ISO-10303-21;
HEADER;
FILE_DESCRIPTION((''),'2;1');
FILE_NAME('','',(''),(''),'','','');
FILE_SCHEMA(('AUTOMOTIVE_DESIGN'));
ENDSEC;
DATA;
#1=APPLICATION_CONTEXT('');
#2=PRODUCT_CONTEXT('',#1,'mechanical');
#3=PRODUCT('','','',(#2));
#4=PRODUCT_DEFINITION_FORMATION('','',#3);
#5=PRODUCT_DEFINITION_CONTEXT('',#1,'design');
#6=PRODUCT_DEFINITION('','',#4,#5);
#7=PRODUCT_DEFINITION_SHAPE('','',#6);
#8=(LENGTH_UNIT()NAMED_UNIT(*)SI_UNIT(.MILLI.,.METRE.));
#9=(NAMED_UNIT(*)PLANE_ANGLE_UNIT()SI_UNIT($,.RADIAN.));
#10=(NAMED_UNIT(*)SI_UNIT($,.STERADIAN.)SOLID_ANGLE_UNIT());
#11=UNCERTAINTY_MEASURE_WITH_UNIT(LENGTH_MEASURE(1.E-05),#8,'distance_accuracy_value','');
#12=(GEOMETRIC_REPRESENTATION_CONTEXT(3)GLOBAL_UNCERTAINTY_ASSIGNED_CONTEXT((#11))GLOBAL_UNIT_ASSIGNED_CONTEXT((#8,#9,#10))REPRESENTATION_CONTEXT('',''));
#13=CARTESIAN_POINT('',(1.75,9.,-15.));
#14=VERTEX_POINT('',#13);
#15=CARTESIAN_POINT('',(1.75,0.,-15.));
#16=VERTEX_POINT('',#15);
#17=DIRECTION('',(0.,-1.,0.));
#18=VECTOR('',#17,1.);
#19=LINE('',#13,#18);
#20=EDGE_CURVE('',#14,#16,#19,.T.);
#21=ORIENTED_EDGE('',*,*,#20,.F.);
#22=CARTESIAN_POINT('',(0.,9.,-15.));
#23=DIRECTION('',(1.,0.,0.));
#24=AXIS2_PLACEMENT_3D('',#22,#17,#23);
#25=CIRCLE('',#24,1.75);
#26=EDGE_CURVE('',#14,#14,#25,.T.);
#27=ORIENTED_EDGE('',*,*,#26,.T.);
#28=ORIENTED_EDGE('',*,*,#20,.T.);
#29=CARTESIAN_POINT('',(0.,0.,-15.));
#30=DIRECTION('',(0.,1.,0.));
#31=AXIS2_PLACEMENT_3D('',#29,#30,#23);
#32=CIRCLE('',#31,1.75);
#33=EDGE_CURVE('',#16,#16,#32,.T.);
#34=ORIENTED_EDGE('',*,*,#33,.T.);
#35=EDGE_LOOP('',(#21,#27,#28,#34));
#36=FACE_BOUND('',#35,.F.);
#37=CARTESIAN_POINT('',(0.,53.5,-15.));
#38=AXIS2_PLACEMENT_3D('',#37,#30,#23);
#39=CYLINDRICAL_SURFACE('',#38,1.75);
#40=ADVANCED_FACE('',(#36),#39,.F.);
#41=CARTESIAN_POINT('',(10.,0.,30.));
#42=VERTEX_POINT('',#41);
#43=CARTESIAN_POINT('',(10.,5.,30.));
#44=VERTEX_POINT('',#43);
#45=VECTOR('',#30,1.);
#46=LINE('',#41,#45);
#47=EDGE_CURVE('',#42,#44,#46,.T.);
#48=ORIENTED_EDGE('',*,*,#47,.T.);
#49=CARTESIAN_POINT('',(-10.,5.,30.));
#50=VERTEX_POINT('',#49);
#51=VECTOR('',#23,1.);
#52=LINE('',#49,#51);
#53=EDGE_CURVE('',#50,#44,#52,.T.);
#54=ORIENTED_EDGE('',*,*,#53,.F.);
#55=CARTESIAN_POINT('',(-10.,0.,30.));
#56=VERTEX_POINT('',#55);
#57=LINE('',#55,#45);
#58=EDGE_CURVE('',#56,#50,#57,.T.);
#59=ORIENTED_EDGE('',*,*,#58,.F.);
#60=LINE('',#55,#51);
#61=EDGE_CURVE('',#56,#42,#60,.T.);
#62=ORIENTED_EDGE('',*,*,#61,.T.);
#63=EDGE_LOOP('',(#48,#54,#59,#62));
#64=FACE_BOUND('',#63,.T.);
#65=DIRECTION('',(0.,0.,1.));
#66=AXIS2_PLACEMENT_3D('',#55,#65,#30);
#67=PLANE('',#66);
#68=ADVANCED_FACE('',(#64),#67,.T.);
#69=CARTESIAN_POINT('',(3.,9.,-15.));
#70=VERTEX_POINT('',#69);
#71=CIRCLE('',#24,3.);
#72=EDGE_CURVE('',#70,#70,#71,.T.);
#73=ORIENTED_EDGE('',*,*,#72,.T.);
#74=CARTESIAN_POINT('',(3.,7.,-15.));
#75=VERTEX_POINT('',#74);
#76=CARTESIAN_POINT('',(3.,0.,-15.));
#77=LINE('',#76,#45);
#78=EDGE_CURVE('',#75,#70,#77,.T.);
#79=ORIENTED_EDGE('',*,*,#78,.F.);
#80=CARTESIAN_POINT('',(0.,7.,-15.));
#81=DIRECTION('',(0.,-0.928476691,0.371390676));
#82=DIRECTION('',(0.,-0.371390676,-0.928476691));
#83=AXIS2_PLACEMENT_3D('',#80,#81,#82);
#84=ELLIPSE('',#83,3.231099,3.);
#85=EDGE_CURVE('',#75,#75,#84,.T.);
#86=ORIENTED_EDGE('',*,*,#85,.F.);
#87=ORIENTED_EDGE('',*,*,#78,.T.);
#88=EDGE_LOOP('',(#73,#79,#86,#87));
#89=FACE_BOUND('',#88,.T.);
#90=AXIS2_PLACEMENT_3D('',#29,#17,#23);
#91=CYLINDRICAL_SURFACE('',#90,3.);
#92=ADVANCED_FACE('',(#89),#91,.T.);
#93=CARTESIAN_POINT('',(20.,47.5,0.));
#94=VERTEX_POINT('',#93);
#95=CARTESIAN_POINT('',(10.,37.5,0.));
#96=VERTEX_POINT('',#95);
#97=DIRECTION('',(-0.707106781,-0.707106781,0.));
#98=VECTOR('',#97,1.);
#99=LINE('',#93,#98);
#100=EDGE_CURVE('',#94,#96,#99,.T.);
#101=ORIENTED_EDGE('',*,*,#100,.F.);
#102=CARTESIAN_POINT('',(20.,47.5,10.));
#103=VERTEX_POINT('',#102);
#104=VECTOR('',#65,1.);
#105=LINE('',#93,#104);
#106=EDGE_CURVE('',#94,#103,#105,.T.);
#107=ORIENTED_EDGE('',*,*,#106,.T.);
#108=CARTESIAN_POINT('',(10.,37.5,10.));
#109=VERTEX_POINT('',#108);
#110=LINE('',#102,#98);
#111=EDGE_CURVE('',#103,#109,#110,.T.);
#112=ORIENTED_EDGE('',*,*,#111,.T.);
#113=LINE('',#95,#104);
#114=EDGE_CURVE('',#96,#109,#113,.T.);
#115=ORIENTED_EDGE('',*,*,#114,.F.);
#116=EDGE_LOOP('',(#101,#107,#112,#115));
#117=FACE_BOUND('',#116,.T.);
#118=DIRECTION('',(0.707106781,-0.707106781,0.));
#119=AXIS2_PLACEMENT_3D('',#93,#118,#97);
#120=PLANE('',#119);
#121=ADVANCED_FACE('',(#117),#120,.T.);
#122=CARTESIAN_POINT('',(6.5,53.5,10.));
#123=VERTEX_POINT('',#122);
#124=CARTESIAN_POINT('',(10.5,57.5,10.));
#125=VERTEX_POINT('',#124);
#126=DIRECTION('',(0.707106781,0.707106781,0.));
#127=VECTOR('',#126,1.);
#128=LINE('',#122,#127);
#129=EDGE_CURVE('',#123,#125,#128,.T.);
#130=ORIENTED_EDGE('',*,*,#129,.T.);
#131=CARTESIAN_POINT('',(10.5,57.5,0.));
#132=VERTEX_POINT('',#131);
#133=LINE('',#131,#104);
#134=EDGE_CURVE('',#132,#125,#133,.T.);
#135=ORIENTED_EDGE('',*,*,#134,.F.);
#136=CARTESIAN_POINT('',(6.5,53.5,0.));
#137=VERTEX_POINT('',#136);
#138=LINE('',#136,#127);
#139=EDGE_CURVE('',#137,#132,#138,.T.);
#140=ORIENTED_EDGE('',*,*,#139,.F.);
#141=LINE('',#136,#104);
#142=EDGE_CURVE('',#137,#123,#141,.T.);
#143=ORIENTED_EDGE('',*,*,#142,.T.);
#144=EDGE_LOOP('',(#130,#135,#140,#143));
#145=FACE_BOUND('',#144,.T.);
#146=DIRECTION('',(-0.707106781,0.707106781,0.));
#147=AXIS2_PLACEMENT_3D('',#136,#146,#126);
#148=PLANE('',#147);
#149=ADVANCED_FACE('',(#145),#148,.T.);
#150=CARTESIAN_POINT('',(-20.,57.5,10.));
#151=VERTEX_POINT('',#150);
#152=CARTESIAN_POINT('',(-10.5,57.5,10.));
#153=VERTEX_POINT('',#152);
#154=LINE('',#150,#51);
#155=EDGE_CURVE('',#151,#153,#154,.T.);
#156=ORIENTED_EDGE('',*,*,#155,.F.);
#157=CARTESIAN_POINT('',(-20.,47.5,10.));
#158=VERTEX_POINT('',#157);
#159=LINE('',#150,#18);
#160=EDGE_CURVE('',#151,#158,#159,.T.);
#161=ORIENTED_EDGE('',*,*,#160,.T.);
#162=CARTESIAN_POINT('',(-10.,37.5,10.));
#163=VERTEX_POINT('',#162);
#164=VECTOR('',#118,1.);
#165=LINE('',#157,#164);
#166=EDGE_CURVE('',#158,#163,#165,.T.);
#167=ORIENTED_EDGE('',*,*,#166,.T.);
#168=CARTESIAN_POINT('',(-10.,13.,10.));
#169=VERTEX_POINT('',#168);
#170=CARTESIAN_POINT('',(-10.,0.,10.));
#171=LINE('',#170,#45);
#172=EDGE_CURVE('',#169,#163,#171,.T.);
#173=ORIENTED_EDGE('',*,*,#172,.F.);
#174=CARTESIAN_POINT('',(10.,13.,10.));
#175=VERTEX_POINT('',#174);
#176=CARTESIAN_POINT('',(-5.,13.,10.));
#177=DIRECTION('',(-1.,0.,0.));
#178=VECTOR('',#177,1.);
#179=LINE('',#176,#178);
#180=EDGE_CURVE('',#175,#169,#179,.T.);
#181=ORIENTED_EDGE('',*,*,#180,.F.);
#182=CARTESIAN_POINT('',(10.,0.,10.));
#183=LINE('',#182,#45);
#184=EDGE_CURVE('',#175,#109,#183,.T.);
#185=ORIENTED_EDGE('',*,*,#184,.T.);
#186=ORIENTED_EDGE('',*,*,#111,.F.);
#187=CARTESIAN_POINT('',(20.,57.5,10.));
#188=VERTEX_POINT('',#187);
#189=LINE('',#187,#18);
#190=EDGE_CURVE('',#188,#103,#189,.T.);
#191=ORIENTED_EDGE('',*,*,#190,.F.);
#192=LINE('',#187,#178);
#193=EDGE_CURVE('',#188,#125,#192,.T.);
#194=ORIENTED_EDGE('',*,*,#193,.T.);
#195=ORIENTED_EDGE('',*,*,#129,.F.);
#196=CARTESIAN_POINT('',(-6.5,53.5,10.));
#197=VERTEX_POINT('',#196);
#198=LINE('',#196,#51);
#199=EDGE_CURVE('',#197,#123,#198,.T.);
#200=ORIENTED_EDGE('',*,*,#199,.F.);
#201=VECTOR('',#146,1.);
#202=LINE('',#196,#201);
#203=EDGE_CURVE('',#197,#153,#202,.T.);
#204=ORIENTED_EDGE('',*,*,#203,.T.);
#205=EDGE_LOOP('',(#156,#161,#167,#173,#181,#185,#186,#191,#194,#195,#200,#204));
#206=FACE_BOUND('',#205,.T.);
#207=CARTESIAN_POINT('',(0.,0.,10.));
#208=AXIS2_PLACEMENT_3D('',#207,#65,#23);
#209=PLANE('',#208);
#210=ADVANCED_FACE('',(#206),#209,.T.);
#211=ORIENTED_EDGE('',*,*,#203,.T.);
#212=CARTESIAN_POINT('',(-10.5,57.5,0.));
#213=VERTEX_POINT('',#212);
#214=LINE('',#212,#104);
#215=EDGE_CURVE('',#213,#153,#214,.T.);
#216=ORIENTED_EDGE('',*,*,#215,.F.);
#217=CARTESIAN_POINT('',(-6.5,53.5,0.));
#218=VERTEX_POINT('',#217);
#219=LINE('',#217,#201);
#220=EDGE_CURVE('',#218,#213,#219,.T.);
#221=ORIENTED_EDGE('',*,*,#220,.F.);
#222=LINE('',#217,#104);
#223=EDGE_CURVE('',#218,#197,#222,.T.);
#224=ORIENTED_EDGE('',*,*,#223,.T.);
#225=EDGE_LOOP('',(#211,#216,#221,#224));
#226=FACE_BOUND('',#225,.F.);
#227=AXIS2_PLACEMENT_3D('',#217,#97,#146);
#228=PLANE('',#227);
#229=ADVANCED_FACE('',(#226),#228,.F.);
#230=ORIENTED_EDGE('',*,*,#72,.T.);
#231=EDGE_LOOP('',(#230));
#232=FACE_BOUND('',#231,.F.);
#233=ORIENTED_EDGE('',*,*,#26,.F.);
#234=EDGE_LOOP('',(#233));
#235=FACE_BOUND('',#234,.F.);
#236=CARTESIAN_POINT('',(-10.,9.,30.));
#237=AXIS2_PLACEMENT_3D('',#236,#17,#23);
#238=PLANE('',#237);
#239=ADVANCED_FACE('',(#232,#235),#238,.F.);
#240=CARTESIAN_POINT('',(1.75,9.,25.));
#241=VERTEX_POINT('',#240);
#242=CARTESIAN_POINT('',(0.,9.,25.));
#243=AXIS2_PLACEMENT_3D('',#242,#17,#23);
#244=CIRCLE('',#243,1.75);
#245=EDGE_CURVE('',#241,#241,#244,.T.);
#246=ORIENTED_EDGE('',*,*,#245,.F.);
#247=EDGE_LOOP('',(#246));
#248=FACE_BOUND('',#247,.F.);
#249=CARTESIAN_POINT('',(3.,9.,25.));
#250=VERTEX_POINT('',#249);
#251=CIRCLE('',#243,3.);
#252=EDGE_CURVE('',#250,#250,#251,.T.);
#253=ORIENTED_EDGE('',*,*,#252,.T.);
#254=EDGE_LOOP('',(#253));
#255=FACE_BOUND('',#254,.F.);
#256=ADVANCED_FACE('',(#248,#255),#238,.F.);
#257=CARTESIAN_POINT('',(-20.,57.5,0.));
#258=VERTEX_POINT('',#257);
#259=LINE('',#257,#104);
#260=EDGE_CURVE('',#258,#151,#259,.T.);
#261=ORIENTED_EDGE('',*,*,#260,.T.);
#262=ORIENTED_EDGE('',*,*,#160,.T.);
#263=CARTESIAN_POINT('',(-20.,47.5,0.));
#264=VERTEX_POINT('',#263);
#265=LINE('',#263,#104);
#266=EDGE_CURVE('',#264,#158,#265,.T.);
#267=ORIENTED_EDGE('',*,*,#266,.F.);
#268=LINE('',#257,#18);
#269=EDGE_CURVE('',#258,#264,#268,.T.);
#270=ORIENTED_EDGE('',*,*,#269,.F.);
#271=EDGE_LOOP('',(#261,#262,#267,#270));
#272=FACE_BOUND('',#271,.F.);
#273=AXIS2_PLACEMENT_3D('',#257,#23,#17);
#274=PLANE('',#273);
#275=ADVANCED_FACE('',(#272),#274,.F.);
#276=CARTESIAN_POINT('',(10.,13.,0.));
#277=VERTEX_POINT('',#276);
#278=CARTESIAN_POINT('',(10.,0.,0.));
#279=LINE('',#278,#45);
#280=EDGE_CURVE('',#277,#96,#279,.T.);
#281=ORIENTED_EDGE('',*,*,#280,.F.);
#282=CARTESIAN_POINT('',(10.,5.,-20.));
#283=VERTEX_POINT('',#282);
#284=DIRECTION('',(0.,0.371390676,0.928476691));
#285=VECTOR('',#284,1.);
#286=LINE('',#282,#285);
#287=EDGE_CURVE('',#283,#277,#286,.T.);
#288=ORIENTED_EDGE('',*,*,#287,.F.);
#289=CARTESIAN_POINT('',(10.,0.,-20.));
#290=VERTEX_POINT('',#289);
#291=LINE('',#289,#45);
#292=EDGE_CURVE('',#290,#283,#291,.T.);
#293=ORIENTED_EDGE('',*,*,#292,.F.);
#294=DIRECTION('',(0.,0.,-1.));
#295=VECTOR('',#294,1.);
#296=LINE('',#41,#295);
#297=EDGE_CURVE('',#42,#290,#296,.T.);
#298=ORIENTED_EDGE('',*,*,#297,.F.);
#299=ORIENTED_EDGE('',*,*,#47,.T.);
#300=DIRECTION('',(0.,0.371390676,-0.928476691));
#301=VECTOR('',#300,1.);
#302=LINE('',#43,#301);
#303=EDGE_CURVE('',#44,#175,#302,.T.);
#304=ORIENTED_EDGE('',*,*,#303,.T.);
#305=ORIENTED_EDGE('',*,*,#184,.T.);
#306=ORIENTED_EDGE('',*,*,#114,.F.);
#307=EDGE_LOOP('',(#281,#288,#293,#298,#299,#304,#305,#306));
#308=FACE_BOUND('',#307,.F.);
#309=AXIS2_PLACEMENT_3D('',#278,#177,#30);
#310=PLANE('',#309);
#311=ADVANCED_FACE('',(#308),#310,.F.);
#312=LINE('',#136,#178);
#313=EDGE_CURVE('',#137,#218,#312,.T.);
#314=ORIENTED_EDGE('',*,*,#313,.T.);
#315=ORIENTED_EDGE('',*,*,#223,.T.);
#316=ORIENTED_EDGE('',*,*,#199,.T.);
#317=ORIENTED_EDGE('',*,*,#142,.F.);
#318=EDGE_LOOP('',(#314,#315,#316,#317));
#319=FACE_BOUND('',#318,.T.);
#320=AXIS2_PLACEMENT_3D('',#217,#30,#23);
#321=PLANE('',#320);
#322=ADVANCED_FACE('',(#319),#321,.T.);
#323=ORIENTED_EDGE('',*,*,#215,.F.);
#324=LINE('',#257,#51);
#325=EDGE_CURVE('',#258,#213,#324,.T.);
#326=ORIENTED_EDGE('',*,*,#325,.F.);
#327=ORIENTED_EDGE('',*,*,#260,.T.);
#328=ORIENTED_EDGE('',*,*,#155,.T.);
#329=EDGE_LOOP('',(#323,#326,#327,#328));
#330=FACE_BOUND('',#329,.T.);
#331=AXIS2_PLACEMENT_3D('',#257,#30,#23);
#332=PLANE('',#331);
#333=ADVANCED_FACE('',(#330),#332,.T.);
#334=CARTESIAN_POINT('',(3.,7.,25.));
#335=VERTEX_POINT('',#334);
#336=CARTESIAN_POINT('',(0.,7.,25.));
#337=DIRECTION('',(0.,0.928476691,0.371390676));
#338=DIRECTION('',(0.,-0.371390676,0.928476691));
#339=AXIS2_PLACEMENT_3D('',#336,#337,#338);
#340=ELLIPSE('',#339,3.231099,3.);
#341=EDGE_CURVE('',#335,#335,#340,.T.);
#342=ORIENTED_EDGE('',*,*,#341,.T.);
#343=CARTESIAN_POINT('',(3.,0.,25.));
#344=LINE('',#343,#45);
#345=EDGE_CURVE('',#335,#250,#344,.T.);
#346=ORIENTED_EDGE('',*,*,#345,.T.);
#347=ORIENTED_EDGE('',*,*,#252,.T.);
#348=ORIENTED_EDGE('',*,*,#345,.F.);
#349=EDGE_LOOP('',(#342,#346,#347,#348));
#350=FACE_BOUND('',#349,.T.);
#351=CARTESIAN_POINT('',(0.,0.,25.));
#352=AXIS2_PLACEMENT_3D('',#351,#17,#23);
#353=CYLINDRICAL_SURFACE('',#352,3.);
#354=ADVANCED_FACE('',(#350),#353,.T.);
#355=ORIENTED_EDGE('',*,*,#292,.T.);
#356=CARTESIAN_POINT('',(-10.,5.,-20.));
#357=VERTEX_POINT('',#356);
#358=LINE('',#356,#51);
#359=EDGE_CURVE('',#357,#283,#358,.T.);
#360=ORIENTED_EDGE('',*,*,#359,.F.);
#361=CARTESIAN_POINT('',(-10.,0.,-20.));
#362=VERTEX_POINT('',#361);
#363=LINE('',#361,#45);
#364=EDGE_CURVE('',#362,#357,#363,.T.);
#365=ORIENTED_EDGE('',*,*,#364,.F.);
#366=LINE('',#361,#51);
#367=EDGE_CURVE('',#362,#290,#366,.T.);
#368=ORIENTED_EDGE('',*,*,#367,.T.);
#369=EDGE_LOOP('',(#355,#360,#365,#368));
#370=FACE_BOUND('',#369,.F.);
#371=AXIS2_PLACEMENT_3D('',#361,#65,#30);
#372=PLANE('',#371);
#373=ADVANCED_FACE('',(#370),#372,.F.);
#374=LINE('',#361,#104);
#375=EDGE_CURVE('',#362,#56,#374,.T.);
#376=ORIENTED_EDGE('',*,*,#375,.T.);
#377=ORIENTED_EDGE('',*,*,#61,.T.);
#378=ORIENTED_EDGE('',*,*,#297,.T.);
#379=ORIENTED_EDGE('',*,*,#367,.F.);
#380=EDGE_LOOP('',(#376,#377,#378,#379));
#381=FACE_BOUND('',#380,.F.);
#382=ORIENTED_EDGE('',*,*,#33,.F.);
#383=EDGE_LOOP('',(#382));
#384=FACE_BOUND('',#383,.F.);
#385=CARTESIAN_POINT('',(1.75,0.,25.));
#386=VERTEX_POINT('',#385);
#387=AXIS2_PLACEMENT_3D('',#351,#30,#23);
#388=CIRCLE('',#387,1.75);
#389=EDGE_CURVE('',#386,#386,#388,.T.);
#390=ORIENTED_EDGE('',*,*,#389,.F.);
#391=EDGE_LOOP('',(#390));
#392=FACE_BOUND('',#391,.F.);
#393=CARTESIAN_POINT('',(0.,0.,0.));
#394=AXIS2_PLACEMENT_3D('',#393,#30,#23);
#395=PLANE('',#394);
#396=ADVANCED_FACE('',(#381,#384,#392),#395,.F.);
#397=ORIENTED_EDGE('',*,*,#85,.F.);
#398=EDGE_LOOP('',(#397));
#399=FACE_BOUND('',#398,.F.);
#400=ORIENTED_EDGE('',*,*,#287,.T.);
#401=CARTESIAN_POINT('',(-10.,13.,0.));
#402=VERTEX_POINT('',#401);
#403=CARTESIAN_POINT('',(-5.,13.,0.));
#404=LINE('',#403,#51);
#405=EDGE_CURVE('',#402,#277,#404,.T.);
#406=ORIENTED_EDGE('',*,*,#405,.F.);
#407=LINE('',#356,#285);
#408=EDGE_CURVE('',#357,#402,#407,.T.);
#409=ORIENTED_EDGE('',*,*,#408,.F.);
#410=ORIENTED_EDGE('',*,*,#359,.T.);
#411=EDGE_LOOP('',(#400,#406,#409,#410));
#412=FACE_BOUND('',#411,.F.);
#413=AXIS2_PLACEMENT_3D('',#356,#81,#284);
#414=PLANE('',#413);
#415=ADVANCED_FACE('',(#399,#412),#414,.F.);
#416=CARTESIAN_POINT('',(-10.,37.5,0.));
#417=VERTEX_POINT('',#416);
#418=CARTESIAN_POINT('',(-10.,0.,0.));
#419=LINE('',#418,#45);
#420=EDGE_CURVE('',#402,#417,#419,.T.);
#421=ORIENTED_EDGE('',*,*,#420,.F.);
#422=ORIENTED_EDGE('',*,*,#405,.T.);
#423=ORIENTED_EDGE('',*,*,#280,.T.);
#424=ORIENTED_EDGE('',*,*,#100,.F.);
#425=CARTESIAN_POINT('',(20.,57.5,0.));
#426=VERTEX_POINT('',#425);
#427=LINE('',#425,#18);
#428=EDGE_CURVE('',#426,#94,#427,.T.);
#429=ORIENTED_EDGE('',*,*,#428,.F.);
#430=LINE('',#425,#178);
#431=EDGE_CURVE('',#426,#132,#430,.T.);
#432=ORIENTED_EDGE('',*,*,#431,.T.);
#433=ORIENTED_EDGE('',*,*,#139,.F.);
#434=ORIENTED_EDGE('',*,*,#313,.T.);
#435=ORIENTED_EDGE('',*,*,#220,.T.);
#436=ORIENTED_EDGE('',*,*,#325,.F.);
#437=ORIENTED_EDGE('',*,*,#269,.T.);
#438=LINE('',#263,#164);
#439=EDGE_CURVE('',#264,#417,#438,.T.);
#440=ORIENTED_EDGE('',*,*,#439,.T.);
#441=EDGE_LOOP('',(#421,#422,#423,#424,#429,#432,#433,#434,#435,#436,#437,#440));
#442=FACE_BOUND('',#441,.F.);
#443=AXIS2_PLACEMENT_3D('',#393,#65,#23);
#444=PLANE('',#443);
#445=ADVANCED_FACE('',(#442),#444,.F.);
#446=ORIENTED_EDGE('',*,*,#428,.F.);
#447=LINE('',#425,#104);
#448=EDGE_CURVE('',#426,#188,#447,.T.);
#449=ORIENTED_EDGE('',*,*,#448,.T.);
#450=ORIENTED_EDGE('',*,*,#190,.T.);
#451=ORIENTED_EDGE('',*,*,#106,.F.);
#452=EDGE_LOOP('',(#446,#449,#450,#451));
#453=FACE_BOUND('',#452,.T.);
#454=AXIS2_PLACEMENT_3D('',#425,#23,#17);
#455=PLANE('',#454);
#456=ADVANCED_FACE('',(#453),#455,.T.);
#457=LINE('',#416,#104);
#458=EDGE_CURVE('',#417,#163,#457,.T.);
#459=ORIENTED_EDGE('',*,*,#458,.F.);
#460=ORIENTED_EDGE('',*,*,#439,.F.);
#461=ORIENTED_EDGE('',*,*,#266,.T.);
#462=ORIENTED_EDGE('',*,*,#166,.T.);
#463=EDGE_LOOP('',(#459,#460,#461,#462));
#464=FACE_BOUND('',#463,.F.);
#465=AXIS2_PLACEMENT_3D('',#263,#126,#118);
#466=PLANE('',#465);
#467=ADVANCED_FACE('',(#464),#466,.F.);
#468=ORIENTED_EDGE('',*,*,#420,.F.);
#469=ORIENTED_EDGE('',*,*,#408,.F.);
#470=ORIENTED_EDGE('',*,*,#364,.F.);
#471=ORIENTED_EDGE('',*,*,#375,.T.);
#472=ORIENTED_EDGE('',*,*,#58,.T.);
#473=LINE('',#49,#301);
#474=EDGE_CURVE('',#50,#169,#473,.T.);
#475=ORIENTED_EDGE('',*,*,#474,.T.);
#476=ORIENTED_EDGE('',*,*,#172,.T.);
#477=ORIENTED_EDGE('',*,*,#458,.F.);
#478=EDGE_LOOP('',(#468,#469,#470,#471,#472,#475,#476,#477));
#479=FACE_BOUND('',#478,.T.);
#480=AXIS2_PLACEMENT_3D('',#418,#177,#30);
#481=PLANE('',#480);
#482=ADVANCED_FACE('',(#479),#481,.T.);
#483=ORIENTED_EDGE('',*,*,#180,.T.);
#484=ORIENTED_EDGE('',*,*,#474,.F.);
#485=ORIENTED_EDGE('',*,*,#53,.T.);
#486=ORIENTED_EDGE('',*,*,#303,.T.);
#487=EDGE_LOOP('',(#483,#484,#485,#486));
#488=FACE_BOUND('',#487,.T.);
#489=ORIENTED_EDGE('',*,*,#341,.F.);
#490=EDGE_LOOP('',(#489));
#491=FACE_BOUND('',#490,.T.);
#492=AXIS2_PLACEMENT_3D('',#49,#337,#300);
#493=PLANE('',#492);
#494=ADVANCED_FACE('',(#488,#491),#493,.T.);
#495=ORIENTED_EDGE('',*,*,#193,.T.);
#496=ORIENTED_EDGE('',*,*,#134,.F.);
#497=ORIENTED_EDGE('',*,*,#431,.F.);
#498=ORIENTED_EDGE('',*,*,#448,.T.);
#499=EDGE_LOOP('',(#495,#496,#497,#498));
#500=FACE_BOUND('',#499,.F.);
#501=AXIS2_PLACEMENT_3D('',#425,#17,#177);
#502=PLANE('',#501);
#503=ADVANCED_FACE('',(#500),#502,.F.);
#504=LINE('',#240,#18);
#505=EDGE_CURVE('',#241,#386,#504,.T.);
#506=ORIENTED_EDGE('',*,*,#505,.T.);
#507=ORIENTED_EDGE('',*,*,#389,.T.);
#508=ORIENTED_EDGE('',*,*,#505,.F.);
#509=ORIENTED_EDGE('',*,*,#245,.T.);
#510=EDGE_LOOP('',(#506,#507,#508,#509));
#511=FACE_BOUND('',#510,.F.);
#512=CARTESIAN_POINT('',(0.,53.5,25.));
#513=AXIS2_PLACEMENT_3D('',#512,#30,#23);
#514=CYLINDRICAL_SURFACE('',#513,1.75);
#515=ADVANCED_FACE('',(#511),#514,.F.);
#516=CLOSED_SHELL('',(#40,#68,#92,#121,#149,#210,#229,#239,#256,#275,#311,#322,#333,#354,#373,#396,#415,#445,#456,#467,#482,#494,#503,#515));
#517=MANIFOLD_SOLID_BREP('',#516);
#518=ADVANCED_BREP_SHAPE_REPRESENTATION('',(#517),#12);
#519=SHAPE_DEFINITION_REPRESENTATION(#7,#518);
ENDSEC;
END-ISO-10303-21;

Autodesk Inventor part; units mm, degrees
ref_plane "YZ Plane" through (0, 0, 0) normal (1, 0, 0) x (0, 1, 0)
ref_plane "XZ Plane" through (0, 0, 0) normal (0, 1, 0) x (-1, 0, 0)
ref_plane "XY Plane" through (0, 0, 0) normal (0, 0, 1) x (1, 0, 0)
sketch "Sketch1" plane through (0, 0, 0) normal (0, 0, 1) x (1, 0, 0)
  line L0 (-6.5, 53.5) -> (0, 53.5)
  line L1 (-20, 57.5) -> (-10.5, 57.5)
  line L2 (-6.5, 53.5) -> (-10.5, 53.5) construction
  line L3 (-10.5, 53.5) -> (-10.5, 57.5) construction
  line L4 (-6.5, 53.5) -> (-10.5, 57.5)
  line L5 (-20, 57.5) -> (-20, 47.5)
  line L6 (0, 53.5) -> (0, 0) construction
  line L7 (0, 0) -> (-10, 0)
  line L8 (-20, 47.5) -> (-10, 37.5)
  line L9 (-20, 47.5) -> (-5.8579, 47.5) construction
  line L10 (-10, 0) -> (-10, 37.5)
  line L11 (6.5, 53.5) -> (0, 53.5)
  line L12 (20, 57.5) -> (10.5, 57.5)
  line L13 (6.5, 53.5) -> (10.5, 53.5) construction
  line L14 (10.5, 53.5) -> (10.5, 57.5) construction
  line L15 (6.5, 53.5) -> (10.5, 57.5)
  line L16 (20, 57.5) -> (20, 47.5)
  line L17 (0, 0) -> (10, 0)
  line L18 (20, 47.5) -> (10, 37.5)
  line L19 (20, 47.5) -> (5.8579, 47.5) construction
  line L20 (10, 0) -> (10, 37.5)
  dimension "d0" = 6.5
  dimension "d1" = 9.5
  dimension "d2" = 4
  dimension "d3" = 4
  dimension "d5" = 10
  dimension "d6" = 53.5
  dimension "d7" = 10
  dimension "d8" = 45
extrude "Extrusion1" add sketch "Sketch1" along normal blind 10
sketch "Sketch2" plane through (-10, 0, 0) normal (-1, 0, 0) x (0, 0, 1)
  line L0 (0, 0) -> (10, 0) construction
  line L1 (5, 0) -> (5, 15) construction
  line L2 (5, 0) -> (-20, 0)
  line L3 (5, 0) -> (30, 0)
  line L4 (-20, 0) -> (-20, 5)
  line L5 (-20, 5) -> (5, 15)
  line L6 (30, 0) -> (30, 5)
  line L7 (30, 5) -> (5, 15)
  dimension "d11" = 15
  dimension "d12" = 25
  dimension "d15" = 5
extrude "Extrusion2" add sketch "Sketch2" against normal up to surface (20 mm away)
sketch "Sketch3" plane through (-6.5, 53.5, 0) normal (0, 1, 0) x (1, 0, 0)
  line L0 (-3.5, -30) -> (16.5, -30) projected
  line L1 (6.5, -30) -> (6.5, 20) construction
  line L2 (-3.5, 20) -> (16.5, 20) projected
  line L3 (-13.5, 0) -> (-13.5, -10) construction
  line L4 (-13.5, -5) -> (26.5, -5) construction
  line L5 (26.5, 0) -> (26.5, -10) construction
  line L6 (-3.5, 20) -> (-3.5, -30) construction
  line L7 (-3.5, -25) -> (16.5, -25) construction
  line L8 (16.5, -30) -> (16.5, -10) construction
  circle A0 centre (6.5, -25) radius 1.75
  circle A1 centre (6.5, 15) radius 1.75
  point P0 (6.5, 0)
  dimension "d16" = 5
  dimension "d17" = 3.5
extrude "Extrusion3" cut sketch "Sketch3" against normal through all
sketch "Sketch4" plane through (-10, 0, 30) normal (0, -1, 0) x (1, 0, 0)
  line L0 (20, -50) -> (20, 0) construction
  line L1 (20, -25) -> (0, -25) construction
  line L2 (0, -50) -> (0, 0) construction
  circle A0 centre (10, -5) radius 1.75 projected
  circle A1 centre (10, -5) radius 3
  circle A2 centre (10, -45) radius 3
  circle A3 centre (10, -45) radius 1.75 projected
  point P0 (10, -30)
  dimension "d20" = 6
extrude "Extrusion4" add sketch "Sketch4" against normal blind 9
properties part number "aux_axis_support"
